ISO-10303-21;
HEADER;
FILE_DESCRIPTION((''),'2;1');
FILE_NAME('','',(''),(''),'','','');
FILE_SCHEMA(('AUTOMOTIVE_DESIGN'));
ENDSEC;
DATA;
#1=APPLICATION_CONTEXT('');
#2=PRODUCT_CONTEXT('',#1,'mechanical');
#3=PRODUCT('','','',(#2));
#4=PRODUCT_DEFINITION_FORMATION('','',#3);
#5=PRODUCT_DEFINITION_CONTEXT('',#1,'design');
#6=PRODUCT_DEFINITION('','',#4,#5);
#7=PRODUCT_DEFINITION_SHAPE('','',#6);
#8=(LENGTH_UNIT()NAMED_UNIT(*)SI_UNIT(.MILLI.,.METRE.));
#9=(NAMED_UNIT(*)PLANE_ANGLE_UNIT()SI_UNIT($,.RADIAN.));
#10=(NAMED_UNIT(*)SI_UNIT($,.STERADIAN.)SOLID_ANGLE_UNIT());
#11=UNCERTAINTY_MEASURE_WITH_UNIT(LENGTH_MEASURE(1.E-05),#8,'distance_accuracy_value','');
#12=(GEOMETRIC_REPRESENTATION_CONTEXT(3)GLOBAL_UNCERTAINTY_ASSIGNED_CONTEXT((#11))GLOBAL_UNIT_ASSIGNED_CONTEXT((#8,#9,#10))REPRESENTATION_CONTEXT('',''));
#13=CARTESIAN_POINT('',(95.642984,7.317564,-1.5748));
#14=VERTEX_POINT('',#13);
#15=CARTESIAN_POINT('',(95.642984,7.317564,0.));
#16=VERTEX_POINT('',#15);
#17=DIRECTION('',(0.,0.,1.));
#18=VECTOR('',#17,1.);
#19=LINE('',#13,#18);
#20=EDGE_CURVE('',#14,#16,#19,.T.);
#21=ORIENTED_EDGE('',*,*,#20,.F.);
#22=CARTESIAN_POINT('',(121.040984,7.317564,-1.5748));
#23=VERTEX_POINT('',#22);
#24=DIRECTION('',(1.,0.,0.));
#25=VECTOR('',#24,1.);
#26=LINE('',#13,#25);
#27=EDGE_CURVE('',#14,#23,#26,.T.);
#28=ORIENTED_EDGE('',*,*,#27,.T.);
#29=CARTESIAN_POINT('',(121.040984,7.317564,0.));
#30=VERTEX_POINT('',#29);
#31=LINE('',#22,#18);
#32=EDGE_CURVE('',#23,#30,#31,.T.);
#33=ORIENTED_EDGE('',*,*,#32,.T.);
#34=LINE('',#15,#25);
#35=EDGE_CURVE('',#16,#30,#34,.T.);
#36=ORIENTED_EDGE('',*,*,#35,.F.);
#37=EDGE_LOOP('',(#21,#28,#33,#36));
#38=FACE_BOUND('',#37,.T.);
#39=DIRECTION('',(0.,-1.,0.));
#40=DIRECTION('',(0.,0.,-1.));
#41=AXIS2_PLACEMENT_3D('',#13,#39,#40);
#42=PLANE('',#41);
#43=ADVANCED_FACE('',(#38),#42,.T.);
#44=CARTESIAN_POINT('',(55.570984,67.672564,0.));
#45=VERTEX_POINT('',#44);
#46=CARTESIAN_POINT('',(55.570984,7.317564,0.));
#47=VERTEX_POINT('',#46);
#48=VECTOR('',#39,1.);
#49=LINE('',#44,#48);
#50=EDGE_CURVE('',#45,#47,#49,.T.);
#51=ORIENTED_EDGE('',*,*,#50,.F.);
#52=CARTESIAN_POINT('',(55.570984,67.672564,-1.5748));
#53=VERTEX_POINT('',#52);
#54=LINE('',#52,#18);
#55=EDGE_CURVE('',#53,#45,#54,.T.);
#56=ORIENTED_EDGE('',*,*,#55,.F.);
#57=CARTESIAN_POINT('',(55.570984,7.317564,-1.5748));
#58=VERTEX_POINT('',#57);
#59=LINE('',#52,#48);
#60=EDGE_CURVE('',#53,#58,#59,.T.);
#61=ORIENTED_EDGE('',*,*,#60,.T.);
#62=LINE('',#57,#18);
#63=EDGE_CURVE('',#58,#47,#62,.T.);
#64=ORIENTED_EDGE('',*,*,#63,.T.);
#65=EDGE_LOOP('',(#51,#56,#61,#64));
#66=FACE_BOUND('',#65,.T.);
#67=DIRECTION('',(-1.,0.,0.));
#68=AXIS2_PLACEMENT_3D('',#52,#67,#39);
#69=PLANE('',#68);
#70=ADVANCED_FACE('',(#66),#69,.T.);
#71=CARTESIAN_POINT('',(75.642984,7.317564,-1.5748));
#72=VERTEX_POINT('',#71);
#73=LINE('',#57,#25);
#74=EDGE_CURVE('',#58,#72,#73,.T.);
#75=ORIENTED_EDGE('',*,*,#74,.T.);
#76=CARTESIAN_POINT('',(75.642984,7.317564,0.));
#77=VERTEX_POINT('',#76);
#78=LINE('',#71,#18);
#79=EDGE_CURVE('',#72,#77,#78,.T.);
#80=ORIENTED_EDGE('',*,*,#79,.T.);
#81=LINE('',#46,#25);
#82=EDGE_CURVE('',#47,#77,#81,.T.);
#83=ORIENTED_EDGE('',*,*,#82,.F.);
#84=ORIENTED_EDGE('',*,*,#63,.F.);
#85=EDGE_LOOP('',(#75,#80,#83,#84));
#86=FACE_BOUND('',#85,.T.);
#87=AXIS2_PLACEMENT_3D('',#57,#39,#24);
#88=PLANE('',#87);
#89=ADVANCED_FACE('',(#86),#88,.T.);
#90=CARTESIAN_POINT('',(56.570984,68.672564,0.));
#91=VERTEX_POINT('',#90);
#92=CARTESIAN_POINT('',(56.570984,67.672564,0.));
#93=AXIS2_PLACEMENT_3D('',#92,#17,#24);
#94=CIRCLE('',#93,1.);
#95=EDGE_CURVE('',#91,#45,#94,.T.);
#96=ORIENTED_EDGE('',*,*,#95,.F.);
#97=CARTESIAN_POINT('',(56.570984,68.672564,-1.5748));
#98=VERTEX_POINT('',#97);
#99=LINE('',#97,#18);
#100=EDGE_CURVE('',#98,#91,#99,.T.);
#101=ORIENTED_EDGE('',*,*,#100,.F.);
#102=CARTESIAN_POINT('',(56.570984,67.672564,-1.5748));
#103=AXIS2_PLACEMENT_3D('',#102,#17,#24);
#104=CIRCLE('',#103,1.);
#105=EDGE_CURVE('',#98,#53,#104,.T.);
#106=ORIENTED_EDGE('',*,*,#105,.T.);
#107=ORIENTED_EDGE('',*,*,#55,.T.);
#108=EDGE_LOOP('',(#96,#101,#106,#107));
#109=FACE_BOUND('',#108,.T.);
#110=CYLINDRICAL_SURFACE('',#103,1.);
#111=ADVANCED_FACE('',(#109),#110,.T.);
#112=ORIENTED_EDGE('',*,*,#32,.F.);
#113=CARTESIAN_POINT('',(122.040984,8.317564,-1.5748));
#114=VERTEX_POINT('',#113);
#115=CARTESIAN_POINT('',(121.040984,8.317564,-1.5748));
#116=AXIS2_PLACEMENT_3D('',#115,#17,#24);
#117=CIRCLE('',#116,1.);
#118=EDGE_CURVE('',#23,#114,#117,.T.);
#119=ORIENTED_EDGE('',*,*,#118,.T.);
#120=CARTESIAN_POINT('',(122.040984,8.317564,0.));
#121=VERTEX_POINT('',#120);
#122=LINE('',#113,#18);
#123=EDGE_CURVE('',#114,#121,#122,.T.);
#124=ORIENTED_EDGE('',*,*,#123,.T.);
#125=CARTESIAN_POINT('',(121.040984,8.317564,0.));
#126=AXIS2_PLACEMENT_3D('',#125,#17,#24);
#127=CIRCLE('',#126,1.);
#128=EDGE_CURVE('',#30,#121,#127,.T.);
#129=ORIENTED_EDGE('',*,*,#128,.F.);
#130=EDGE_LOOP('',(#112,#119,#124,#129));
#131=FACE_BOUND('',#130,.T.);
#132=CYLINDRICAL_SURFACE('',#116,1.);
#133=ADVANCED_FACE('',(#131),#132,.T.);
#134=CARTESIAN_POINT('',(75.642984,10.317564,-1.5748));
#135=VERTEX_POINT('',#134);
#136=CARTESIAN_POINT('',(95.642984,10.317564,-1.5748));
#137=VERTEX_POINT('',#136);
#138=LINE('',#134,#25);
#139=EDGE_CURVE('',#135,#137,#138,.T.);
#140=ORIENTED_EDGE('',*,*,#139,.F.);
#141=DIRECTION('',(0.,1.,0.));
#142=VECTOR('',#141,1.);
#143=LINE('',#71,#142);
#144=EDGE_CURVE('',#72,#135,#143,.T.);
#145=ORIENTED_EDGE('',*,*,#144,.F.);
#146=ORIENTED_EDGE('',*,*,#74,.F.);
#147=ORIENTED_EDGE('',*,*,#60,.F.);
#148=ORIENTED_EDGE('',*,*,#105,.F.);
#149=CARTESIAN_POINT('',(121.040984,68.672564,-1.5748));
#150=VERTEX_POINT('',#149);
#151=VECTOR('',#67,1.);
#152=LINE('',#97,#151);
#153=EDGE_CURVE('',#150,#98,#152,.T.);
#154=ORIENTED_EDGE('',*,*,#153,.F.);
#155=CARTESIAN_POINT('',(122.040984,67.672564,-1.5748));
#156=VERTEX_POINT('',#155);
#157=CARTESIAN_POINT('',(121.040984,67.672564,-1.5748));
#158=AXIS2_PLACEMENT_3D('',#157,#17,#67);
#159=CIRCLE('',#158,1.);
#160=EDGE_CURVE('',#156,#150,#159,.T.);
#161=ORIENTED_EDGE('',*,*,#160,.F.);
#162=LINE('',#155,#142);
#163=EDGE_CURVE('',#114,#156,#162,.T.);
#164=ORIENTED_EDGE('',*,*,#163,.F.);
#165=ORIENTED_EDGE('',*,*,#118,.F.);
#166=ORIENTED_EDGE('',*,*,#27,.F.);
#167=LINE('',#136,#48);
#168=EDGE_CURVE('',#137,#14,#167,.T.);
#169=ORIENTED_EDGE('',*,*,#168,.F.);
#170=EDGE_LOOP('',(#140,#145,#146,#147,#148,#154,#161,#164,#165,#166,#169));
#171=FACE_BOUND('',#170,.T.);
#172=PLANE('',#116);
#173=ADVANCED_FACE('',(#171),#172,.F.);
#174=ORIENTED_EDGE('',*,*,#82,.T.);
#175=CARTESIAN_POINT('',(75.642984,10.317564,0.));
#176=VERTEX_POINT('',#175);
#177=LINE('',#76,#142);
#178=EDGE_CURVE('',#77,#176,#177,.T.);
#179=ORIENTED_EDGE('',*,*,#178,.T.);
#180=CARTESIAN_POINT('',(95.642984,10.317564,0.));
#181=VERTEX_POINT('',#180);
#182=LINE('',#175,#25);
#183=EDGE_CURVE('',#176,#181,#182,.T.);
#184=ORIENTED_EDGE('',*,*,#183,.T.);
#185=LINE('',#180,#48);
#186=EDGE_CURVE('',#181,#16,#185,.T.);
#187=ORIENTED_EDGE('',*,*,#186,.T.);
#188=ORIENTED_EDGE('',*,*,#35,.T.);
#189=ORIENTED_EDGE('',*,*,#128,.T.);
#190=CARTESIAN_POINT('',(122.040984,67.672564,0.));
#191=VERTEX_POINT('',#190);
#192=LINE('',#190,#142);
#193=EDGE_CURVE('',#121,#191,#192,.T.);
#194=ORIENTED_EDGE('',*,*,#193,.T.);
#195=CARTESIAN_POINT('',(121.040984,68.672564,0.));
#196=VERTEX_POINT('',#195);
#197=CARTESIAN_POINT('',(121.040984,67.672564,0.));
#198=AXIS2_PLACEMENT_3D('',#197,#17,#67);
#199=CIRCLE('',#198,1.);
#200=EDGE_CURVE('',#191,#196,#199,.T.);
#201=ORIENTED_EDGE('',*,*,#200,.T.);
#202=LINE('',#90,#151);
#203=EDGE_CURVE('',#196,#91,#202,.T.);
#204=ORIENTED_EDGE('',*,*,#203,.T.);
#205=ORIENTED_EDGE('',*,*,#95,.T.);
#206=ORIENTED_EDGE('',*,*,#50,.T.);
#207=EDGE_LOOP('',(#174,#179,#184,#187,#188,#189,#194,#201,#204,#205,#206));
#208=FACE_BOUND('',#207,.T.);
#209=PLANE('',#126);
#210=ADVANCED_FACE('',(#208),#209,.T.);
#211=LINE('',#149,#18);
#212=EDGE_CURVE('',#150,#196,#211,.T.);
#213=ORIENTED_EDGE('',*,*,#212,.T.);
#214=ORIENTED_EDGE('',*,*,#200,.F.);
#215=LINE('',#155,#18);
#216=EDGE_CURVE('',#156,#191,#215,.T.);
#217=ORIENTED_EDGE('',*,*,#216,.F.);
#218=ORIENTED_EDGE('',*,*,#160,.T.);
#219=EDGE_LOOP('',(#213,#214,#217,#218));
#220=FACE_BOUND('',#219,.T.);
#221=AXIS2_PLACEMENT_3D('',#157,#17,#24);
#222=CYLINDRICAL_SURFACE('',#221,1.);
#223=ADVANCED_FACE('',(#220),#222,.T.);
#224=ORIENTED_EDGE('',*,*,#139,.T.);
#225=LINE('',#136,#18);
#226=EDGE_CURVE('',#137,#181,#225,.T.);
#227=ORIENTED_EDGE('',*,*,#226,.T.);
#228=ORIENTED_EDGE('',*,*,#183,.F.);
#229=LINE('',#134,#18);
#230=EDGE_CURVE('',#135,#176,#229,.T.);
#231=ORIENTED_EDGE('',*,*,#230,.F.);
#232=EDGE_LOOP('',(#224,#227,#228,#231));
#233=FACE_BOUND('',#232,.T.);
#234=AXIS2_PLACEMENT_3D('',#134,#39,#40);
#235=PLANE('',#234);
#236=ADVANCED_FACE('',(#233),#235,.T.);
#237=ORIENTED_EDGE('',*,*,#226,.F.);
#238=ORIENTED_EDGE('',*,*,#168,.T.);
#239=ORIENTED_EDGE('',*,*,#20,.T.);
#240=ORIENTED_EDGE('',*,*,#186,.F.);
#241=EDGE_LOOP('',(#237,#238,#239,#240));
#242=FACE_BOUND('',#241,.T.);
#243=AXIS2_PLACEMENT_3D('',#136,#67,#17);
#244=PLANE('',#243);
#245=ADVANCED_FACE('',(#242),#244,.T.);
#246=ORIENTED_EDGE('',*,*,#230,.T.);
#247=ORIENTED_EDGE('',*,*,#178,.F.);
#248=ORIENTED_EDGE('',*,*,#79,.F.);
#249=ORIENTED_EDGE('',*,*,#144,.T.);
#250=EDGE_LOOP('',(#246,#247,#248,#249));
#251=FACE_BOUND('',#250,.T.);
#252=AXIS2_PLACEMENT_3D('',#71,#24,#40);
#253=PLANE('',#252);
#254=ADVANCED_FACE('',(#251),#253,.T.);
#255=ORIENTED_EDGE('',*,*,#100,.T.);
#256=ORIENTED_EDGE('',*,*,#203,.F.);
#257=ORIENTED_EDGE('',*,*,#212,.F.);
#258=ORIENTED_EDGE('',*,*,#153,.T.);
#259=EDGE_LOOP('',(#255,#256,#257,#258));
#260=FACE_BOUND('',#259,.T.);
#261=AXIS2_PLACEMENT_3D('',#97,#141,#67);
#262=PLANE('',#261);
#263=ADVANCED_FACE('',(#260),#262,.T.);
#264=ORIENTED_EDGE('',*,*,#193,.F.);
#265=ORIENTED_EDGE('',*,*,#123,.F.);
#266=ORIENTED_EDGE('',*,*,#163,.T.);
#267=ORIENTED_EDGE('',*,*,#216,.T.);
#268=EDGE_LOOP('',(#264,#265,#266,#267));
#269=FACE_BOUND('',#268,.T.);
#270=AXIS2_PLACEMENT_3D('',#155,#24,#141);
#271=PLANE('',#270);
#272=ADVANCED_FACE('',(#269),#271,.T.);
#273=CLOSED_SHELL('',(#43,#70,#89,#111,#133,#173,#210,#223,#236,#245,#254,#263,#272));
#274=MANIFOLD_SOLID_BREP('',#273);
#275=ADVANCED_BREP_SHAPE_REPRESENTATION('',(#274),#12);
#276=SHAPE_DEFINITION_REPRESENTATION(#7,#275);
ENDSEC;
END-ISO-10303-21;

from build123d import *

# Parameters (mm, degrees)
BOSS_EXTRUDE1_DEPTH = 1.5748


with BuildPart() as part:
    # BPR2 PCB Outline → Boss-Extrude1 (new body)
    with BuildSketch(Plane.XY):
        with BuildLine():
            Line((75.642984325, 7.317563979), (75.642984325, 10.317563979))
            Line((75.642984325, 10.317563979), (95.642984325, 10.317563979))
            Line((95.642984325, 10.317563979), (95.642984325, 7.317563979))
            Line((95.642984325, 7.317563979), (121.040984325, 7.317563979))
            ThreePointArc((121.040984325, 7.317563979), (121.748091106, 7.610457198), (122.040984325, 8.317563979))
            Line((122.040984325, 8.317563979), (122.040984325, 67.672563979))
            ThreePointArc((122.040984325, 67.672563979), (121.748091106, 68.37967076), (121.040984325, 68.672563979))
            Line((121.040984325, 68.672563979), (56.570984325, 68.672563979))
            ThreePointArc((56.570984325, 68.672563979), (55.863877543, 68.37967076), (55.570984325, 67.672563979))
            Line((55.570984325, 67.672563979), (55.570984325, 7.317563979))
            Line((55.570984325, 7.317563979), (75.642984325, 7.317563979))
        make_face()
    extrude(amount=-BOSS_EXTRUDE1_DEPTH)


solid = part.part
